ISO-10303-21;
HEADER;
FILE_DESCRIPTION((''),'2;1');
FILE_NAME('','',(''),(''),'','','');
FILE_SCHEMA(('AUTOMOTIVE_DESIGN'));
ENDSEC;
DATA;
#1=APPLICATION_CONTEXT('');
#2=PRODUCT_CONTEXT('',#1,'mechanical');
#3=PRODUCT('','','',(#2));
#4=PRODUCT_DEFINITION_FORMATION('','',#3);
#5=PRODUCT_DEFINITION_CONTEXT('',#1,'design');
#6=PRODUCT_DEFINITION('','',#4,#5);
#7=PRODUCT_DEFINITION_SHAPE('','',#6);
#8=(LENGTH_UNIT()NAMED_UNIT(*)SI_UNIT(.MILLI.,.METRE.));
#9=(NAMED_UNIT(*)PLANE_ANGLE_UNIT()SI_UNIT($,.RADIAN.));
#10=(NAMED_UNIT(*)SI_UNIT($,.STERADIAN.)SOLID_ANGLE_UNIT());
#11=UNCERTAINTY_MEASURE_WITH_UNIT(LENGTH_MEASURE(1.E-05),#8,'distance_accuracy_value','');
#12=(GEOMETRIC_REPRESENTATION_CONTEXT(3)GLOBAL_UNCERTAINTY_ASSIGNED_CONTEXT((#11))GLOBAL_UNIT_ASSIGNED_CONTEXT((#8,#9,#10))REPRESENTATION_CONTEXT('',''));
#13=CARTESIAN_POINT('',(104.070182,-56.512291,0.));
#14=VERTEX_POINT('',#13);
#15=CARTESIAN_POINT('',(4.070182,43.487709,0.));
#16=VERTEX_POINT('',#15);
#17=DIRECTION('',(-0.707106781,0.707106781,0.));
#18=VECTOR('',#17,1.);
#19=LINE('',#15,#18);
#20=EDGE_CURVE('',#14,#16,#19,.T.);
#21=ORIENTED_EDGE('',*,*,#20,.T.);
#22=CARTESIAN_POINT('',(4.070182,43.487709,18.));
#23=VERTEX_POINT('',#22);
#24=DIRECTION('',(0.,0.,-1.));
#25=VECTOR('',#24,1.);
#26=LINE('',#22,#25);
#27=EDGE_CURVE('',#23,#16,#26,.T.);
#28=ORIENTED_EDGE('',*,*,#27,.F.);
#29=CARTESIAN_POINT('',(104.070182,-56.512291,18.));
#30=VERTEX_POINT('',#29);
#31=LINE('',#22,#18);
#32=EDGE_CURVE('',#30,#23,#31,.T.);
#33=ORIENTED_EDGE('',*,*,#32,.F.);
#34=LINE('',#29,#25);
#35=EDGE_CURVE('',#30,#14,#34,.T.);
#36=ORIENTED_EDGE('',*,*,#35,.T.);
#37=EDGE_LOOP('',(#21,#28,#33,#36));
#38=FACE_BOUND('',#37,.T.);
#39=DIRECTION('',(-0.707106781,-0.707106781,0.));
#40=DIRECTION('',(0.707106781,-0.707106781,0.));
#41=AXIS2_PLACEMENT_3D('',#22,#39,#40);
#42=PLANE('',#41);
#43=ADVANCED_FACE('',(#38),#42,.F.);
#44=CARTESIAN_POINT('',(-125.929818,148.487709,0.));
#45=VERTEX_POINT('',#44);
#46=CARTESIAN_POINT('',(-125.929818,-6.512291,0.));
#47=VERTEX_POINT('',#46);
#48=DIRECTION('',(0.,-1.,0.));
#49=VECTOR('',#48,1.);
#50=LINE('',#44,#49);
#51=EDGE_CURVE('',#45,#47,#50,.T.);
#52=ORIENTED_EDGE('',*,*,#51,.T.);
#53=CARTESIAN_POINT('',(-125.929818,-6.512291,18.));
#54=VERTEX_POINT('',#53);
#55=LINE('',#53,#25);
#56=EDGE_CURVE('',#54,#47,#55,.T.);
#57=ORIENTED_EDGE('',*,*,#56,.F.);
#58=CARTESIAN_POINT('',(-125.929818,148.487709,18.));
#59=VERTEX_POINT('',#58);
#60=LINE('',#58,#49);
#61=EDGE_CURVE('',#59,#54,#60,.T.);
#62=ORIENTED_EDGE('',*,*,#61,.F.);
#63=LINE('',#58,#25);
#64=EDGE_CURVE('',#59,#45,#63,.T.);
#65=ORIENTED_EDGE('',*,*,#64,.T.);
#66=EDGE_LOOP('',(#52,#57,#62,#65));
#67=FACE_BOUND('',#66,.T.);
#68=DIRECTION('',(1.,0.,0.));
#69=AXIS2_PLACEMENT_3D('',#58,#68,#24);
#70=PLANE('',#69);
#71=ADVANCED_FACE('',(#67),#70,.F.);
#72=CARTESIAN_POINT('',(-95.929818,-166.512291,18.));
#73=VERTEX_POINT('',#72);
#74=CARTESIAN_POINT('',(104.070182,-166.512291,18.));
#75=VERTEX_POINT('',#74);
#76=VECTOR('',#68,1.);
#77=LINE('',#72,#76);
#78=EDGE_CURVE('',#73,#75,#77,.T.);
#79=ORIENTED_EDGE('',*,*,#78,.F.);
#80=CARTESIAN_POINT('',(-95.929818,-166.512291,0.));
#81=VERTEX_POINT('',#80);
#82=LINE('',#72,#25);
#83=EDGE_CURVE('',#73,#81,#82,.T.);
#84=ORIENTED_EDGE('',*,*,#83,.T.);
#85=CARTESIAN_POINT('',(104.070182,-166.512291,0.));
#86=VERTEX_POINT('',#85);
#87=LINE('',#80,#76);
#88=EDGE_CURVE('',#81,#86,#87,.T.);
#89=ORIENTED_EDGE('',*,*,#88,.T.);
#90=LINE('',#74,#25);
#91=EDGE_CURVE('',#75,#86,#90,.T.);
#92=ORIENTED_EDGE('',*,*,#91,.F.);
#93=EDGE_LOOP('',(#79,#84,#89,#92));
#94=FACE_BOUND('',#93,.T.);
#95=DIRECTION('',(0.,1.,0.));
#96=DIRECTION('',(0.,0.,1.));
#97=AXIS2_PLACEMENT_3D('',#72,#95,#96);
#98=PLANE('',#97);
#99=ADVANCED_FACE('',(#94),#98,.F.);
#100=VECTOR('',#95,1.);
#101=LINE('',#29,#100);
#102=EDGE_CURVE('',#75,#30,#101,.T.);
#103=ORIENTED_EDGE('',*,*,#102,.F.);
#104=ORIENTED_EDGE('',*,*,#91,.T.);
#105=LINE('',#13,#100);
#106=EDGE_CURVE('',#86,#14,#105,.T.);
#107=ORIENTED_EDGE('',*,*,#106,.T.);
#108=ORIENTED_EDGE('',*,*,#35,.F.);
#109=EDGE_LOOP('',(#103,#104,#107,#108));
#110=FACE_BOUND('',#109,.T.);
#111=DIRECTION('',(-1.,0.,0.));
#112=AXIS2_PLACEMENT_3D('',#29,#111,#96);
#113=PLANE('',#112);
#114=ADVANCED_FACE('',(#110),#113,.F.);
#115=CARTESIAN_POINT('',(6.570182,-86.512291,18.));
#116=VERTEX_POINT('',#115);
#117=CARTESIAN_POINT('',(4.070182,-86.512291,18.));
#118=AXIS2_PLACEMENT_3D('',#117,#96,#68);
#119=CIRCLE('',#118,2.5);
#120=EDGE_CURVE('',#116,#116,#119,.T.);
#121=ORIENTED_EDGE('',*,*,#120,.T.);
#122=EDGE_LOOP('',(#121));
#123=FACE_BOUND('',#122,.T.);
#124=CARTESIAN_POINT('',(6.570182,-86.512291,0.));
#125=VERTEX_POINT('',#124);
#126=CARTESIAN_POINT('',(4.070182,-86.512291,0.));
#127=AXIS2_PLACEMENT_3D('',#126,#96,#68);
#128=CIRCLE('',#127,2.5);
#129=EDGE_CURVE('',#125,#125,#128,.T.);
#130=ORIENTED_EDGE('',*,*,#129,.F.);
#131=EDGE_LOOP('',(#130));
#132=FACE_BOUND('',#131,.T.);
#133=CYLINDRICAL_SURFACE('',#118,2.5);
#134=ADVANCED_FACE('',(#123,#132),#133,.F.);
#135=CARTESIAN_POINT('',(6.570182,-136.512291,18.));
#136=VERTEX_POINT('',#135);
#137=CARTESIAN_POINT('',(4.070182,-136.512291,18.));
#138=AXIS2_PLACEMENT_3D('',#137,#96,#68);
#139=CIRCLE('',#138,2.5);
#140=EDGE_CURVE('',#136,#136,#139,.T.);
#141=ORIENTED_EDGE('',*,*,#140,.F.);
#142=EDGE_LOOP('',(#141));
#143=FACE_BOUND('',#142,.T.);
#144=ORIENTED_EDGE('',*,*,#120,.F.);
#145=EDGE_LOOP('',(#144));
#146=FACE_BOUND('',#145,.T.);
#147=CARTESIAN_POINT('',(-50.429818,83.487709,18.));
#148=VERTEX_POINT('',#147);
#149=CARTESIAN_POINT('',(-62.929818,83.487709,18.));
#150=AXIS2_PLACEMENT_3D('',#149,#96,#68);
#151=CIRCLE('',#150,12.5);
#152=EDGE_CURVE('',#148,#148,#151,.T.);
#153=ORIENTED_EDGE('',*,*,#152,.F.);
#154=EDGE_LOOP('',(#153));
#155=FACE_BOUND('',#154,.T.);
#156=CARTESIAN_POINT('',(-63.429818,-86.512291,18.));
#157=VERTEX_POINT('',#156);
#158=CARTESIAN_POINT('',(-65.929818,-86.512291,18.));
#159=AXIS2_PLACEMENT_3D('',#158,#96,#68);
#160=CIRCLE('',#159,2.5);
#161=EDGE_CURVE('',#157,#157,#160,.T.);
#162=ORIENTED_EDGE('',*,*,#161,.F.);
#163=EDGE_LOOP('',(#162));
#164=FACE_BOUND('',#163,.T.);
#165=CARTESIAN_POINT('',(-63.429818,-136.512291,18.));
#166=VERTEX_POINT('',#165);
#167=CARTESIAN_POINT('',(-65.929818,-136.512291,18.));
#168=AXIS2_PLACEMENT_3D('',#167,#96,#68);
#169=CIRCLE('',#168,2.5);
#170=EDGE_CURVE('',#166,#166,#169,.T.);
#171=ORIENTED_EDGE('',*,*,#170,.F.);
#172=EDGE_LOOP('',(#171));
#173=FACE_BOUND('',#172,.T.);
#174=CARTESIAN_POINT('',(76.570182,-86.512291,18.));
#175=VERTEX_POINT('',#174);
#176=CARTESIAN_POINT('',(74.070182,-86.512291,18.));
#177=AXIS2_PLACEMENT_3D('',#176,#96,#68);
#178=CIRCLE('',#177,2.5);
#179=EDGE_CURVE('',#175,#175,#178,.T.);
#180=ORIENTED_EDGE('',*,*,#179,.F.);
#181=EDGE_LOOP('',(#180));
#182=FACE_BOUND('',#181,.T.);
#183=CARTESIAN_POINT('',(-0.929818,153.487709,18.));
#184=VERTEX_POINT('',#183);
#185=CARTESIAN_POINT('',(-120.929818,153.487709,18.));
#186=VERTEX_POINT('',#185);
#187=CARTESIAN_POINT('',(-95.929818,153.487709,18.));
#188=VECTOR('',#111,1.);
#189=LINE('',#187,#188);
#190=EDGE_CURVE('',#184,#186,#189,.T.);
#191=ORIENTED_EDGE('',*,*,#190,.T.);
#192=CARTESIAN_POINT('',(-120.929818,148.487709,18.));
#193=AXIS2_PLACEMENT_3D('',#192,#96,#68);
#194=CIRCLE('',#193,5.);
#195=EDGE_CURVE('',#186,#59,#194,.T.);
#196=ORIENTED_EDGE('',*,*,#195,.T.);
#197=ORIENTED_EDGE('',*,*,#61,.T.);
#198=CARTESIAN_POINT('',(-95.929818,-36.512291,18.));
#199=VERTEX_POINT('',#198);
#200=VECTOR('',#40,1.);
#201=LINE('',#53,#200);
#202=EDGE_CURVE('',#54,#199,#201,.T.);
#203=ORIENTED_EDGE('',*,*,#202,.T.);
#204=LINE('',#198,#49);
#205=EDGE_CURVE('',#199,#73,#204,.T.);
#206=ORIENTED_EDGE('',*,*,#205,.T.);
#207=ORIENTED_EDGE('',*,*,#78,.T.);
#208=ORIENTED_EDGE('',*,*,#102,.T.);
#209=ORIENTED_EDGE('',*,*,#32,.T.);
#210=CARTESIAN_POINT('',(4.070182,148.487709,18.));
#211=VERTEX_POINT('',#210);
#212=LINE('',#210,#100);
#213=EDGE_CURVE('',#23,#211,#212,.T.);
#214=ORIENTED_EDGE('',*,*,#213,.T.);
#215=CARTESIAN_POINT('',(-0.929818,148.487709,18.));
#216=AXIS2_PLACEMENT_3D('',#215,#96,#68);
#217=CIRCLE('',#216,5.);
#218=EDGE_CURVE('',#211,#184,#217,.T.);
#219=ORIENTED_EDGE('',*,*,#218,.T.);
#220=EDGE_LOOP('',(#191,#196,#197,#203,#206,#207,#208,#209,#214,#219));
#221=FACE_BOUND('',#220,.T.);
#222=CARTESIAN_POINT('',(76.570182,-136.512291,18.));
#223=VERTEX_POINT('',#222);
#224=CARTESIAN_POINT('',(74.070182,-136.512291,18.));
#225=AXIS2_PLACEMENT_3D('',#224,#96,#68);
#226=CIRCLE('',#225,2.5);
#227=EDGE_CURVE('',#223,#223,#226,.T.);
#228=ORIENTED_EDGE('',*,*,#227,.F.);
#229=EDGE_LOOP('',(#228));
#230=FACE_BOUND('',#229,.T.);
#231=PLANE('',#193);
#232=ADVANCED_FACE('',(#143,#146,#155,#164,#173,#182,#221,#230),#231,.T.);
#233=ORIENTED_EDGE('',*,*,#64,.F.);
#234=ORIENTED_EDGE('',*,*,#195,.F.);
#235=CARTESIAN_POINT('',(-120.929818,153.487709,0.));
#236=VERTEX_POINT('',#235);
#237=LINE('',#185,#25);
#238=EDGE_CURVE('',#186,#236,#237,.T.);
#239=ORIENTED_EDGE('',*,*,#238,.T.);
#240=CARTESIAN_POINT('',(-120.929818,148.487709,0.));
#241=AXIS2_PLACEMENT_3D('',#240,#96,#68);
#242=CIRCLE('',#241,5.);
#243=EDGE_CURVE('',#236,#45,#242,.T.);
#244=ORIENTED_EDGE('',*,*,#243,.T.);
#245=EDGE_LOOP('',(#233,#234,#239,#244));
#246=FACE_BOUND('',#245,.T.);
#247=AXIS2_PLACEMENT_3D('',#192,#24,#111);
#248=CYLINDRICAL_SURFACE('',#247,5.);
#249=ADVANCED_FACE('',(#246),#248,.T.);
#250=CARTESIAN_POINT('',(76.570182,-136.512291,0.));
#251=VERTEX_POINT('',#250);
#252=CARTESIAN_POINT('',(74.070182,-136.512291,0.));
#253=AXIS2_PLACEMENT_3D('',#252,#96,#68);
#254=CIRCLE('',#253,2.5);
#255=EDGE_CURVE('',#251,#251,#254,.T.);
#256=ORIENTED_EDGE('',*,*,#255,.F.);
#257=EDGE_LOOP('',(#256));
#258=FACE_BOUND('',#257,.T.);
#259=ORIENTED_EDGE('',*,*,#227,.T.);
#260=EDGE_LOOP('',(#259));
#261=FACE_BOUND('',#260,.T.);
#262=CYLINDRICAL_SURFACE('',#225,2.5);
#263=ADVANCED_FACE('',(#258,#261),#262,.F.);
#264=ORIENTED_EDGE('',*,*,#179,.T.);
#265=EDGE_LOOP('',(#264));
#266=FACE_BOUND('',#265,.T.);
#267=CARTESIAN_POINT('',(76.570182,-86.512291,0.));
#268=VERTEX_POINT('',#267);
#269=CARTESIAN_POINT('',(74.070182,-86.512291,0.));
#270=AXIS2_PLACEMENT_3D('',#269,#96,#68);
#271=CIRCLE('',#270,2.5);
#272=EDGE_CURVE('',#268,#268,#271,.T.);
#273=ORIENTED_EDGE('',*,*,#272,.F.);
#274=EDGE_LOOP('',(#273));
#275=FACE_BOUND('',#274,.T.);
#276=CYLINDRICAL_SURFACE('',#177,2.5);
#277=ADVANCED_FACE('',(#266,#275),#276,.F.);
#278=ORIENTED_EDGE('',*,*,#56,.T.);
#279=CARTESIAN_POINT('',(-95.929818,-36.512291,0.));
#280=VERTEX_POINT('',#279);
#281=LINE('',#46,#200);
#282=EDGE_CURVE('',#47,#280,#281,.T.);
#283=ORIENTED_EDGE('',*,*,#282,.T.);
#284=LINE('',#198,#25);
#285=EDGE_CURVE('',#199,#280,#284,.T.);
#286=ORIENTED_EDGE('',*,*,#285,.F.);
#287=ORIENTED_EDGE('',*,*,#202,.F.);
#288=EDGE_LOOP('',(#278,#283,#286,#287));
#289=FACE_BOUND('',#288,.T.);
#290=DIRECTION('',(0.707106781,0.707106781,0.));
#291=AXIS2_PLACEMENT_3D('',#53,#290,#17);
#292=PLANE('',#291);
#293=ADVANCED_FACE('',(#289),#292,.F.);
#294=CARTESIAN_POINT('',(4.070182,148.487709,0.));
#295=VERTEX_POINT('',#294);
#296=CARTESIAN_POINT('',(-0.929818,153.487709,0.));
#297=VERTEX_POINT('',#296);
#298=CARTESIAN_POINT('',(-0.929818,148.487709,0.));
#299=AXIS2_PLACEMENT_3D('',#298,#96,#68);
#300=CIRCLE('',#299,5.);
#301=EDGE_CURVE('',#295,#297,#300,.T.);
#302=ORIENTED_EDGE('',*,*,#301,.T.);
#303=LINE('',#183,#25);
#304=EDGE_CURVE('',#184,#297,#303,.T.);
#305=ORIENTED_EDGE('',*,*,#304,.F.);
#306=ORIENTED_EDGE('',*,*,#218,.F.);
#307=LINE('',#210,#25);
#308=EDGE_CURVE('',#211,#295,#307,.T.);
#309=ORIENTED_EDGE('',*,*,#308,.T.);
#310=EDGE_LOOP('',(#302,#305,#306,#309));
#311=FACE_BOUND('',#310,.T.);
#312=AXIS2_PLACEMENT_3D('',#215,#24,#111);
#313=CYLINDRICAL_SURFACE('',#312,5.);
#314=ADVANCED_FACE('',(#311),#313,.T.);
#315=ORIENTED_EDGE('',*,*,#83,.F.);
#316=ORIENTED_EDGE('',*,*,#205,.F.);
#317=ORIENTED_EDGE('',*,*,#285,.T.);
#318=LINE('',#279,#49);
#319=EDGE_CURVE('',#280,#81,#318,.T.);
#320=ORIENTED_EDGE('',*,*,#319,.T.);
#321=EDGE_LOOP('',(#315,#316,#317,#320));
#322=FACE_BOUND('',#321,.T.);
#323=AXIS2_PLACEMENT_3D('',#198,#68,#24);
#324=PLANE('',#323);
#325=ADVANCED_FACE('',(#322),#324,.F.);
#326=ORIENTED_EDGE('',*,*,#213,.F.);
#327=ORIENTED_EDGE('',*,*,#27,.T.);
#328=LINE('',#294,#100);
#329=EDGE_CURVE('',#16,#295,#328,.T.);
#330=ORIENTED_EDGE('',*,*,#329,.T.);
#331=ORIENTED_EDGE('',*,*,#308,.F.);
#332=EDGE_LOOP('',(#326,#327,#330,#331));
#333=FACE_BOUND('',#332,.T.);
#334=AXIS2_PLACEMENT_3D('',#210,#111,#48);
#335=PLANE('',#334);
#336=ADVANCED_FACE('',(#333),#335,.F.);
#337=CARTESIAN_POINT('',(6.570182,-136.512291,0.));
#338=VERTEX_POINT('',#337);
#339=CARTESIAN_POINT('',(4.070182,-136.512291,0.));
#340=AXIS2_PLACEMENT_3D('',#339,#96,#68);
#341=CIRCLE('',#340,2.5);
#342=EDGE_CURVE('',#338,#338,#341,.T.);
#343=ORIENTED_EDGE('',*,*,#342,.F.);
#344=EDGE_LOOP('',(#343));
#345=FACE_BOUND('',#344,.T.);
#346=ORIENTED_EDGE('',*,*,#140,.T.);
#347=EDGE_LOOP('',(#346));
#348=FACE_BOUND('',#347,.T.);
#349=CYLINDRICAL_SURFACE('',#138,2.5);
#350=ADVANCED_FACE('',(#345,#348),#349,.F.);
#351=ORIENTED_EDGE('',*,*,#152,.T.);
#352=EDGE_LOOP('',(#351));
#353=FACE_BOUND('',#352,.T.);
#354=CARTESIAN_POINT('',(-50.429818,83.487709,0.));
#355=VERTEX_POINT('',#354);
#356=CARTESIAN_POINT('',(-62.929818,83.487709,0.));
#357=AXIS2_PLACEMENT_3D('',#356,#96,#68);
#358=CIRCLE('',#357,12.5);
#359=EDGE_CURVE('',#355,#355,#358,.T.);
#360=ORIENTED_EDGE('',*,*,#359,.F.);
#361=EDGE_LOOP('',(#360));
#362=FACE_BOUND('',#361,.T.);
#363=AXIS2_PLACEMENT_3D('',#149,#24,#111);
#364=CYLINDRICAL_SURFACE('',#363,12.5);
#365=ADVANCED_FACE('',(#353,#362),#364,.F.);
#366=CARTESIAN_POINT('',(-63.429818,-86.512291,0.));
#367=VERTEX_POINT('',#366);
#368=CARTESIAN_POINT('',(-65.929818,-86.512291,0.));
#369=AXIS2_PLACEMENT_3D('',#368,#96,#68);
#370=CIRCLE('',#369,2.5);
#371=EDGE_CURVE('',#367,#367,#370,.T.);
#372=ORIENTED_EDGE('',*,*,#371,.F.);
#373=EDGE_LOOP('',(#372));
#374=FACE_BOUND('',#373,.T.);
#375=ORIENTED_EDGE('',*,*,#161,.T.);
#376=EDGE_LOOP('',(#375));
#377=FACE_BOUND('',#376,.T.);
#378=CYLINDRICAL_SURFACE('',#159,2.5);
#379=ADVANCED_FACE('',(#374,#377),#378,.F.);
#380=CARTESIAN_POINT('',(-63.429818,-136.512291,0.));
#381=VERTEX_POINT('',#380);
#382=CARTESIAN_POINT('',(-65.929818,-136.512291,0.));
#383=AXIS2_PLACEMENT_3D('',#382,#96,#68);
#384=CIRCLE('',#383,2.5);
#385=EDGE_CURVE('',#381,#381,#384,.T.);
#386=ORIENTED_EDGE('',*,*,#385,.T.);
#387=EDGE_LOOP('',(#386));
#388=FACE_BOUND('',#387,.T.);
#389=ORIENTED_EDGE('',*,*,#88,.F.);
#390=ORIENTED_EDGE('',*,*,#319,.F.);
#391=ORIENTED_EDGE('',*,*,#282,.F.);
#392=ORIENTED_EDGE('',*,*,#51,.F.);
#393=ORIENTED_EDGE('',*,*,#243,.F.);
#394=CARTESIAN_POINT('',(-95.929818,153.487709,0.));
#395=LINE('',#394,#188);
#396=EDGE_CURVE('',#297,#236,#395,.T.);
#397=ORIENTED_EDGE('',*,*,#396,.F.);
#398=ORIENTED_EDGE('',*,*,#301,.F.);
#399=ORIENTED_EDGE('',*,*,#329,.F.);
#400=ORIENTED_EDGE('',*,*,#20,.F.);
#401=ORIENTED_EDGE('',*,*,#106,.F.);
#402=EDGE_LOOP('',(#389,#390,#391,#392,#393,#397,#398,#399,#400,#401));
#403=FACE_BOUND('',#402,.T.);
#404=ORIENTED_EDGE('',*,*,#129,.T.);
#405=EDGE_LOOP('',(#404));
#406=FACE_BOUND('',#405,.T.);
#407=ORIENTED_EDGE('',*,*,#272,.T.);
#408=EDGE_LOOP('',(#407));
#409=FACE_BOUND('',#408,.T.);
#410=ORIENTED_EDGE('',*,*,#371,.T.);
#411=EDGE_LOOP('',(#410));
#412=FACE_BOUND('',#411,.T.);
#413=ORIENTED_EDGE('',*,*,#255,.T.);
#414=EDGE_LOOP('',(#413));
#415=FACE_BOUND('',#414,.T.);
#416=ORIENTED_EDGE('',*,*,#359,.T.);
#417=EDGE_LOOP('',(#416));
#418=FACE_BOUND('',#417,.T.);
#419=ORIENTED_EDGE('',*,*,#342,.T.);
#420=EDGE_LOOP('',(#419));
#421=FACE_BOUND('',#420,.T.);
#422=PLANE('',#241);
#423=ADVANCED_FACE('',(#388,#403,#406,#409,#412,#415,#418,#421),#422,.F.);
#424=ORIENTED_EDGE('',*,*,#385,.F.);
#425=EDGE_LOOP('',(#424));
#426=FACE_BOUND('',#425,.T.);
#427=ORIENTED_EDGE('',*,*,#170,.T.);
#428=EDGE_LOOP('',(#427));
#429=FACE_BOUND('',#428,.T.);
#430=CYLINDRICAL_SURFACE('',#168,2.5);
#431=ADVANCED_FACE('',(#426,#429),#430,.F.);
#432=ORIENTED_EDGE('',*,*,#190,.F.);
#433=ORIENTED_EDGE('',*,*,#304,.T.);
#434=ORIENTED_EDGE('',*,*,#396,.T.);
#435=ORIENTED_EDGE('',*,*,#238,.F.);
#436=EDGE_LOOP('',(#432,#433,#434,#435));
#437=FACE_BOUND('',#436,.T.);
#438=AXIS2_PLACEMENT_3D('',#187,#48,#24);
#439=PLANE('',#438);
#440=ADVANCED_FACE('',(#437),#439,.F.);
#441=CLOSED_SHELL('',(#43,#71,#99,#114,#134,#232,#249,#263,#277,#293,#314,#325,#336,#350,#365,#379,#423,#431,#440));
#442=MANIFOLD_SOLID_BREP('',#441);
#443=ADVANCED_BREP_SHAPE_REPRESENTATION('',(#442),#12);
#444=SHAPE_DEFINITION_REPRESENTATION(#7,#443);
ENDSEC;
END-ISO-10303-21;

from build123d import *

# Parameters (mm, degrees)
SKETCH1_R                      = 12.5
BOSS_EXTRUDE1_DEPTH            = 18
HOLE_FOR_M5_300_SC_NUTS_SP_1_D = 5


with BuildPart() as part:
    # Sketch1 → Boss-Extrude1 (new body)
    with BuildSketch(Plane.XY):
        with BuildLine():
            Line((4.070181983, 148.487708827), (4.070181983, 43.487708827))
            Line((4.070181983, 43.487708827), (104.070181983, -56.512291173))
            Line((104.070181983, -56.512291173), (104.070181983, -166.512291173))
            Line((104.070181983, -166.512291173), (-95.929818017, -166.512291173))
            Line((-95.929818017, -166.512291173), (-95.929818017, -36.512291173))
            Line((-95.929818017, -36.512291173), (-125.929818017, -6.512291173))
            Line((-125.929818017, -6.512291173), (-125.929818017, 148.487708827))
            ThreePointArc((-125.929818017, 148.487708827), (-124.465351923, 152.023242733), (-120.929818017, 153.487708827))
            Line((-120.929818017, 153.487708827), (-95.929818017, 153.487708827))
            Line((-95.929818017, 153.487708827), (-0.929818017, 153.487708827))
            ThreePointArc((-0.929818017, 153.487708827), (2.605715889, 152.023242733), (4.070181983, 148.487708827))
        make_face()
        with Locations((-62.929818017, 83.487708827)):
            Circle(SKETCH1_R, mode=Mode.SUBTRACT)
    extrude(amount=BOSS_EXTRUDE1_DEPTH)

    # Hole for M5 300® SC Nuts (SP)1 (through all)
    with Locations(Plane.XY.offset(18)):
        with Locations((74.070181983, -86.512291173), (74.070181983, -136.512291173), (4.070181983, -136.512291173), (-65.929818017, -136.512291173), (-65.929818017, -86.512291173), (4.070181983, -86.512291173)):
            Hole(HOLE_FOR_M5_300_SC_NUTS_SP_1_D / 2)


solid = part.part
